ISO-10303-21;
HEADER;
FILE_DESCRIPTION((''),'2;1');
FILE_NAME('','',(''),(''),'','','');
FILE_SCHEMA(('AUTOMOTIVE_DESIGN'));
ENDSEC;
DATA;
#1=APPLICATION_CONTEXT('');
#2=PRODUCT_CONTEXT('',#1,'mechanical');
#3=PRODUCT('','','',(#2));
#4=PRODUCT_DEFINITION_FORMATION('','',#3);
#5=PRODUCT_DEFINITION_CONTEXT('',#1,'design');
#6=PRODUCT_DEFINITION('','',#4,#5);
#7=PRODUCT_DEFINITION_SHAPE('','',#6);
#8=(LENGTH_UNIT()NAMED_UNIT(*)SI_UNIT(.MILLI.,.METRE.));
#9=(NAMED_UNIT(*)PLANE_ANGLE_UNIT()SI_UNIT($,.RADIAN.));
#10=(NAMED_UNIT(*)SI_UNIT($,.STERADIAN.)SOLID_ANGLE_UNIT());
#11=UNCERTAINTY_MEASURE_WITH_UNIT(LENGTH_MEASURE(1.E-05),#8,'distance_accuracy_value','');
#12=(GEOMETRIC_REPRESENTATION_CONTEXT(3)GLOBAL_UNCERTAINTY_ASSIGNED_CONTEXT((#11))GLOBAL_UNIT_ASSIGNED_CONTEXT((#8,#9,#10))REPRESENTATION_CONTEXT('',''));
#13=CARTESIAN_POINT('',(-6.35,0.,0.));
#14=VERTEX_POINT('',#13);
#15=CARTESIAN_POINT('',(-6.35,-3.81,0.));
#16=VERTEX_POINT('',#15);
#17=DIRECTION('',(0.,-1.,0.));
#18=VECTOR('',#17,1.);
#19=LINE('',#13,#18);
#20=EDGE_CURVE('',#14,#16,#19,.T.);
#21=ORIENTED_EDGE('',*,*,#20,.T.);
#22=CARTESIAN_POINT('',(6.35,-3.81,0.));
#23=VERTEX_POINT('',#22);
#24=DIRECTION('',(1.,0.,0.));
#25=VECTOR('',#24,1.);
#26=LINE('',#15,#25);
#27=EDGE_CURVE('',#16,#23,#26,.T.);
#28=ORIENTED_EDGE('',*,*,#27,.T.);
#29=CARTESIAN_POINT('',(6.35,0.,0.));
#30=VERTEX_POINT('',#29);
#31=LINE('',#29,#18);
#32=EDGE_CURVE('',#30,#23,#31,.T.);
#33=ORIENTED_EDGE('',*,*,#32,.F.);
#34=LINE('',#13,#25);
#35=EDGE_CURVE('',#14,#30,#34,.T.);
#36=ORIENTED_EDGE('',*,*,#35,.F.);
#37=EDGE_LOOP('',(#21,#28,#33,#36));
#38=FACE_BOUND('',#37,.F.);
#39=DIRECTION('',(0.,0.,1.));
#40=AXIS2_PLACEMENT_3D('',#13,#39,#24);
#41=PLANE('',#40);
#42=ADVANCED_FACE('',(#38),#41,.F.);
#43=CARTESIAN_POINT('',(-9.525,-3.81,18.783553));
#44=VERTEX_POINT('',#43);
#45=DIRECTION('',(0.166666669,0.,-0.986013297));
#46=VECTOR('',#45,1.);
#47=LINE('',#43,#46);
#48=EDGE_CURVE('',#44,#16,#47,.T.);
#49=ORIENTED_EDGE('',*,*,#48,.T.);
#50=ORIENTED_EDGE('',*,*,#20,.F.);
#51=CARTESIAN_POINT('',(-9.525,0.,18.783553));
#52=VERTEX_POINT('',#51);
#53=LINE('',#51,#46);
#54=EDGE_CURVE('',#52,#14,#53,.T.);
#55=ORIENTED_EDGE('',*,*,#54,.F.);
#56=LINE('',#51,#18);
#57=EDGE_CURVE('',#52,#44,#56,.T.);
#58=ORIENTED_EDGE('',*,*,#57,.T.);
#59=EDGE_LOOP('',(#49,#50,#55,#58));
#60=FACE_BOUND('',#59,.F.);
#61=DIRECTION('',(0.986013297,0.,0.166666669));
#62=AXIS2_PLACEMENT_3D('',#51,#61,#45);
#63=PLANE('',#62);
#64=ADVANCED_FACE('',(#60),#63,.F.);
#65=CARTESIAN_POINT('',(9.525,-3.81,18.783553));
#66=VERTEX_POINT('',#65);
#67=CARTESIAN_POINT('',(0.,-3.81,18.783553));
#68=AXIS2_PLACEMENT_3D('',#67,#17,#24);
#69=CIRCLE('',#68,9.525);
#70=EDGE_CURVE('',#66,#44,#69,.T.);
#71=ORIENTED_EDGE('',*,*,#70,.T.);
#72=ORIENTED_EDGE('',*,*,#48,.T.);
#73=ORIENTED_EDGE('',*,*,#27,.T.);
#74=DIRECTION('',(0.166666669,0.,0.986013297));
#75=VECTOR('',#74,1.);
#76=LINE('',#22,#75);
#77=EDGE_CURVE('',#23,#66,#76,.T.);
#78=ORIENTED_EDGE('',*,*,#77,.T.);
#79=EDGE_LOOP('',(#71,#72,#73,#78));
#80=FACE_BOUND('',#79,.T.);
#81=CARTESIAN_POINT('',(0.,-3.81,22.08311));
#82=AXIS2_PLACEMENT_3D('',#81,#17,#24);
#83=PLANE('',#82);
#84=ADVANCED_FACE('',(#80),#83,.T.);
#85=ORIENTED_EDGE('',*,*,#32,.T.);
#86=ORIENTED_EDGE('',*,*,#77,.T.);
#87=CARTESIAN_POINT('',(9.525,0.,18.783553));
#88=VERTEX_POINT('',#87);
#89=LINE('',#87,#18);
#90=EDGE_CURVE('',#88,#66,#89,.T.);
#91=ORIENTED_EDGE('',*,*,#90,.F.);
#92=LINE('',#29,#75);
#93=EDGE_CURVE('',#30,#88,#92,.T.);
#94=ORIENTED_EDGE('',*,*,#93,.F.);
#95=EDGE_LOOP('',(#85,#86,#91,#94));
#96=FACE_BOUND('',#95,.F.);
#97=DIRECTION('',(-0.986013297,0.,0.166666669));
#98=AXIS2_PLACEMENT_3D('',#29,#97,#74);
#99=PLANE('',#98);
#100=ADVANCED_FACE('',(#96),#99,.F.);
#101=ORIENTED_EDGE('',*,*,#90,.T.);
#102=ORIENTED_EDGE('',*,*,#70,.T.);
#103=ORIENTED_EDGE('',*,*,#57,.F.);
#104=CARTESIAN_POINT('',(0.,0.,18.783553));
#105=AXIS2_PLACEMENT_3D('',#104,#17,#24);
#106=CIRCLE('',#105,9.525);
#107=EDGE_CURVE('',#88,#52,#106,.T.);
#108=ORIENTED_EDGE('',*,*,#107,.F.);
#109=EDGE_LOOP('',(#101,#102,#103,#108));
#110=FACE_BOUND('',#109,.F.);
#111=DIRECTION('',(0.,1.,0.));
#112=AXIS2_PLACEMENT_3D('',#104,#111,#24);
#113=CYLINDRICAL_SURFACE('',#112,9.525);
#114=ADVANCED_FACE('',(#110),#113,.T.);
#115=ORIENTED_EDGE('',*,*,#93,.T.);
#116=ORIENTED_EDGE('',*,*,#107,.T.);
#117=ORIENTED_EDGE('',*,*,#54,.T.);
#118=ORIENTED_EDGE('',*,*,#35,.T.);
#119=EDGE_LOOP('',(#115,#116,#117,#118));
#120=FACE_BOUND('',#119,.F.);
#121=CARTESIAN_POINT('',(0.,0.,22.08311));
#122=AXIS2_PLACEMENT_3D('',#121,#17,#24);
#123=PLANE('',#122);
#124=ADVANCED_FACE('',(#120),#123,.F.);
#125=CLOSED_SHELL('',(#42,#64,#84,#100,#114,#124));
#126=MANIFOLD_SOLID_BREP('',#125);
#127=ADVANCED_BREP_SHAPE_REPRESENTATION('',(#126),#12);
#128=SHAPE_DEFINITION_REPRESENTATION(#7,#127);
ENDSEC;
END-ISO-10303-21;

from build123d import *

# Parameters (mm, degrees)
F1_DEPTH = 3.81
F2_DEPTH = 3.81


with BuildPart() as f1:
    # F0 (on Front) → F1 (new body)
    with BuildSketch(Plane.XZ):
        Polygon((-6.35, 0), (0, 0), (6.35, 0), (9.525, 18.783553), (-9.525, 18.783553), align=None)
    extrude(amount=F1_DEPTH)

    # F0 (on Front) → F2 (join)
    with BuildSketch(Plane.XZ):
        with BuildLine():
            Line((-9.525, 18.783553), (9.525, 18.783553))
            ThreePointArc((9.525, 18.783553), (0, 28.308553), (-9.525, 18.783553))
        make_face()
    extrude(amount=F2_DEPTH)


solid = f1.part
